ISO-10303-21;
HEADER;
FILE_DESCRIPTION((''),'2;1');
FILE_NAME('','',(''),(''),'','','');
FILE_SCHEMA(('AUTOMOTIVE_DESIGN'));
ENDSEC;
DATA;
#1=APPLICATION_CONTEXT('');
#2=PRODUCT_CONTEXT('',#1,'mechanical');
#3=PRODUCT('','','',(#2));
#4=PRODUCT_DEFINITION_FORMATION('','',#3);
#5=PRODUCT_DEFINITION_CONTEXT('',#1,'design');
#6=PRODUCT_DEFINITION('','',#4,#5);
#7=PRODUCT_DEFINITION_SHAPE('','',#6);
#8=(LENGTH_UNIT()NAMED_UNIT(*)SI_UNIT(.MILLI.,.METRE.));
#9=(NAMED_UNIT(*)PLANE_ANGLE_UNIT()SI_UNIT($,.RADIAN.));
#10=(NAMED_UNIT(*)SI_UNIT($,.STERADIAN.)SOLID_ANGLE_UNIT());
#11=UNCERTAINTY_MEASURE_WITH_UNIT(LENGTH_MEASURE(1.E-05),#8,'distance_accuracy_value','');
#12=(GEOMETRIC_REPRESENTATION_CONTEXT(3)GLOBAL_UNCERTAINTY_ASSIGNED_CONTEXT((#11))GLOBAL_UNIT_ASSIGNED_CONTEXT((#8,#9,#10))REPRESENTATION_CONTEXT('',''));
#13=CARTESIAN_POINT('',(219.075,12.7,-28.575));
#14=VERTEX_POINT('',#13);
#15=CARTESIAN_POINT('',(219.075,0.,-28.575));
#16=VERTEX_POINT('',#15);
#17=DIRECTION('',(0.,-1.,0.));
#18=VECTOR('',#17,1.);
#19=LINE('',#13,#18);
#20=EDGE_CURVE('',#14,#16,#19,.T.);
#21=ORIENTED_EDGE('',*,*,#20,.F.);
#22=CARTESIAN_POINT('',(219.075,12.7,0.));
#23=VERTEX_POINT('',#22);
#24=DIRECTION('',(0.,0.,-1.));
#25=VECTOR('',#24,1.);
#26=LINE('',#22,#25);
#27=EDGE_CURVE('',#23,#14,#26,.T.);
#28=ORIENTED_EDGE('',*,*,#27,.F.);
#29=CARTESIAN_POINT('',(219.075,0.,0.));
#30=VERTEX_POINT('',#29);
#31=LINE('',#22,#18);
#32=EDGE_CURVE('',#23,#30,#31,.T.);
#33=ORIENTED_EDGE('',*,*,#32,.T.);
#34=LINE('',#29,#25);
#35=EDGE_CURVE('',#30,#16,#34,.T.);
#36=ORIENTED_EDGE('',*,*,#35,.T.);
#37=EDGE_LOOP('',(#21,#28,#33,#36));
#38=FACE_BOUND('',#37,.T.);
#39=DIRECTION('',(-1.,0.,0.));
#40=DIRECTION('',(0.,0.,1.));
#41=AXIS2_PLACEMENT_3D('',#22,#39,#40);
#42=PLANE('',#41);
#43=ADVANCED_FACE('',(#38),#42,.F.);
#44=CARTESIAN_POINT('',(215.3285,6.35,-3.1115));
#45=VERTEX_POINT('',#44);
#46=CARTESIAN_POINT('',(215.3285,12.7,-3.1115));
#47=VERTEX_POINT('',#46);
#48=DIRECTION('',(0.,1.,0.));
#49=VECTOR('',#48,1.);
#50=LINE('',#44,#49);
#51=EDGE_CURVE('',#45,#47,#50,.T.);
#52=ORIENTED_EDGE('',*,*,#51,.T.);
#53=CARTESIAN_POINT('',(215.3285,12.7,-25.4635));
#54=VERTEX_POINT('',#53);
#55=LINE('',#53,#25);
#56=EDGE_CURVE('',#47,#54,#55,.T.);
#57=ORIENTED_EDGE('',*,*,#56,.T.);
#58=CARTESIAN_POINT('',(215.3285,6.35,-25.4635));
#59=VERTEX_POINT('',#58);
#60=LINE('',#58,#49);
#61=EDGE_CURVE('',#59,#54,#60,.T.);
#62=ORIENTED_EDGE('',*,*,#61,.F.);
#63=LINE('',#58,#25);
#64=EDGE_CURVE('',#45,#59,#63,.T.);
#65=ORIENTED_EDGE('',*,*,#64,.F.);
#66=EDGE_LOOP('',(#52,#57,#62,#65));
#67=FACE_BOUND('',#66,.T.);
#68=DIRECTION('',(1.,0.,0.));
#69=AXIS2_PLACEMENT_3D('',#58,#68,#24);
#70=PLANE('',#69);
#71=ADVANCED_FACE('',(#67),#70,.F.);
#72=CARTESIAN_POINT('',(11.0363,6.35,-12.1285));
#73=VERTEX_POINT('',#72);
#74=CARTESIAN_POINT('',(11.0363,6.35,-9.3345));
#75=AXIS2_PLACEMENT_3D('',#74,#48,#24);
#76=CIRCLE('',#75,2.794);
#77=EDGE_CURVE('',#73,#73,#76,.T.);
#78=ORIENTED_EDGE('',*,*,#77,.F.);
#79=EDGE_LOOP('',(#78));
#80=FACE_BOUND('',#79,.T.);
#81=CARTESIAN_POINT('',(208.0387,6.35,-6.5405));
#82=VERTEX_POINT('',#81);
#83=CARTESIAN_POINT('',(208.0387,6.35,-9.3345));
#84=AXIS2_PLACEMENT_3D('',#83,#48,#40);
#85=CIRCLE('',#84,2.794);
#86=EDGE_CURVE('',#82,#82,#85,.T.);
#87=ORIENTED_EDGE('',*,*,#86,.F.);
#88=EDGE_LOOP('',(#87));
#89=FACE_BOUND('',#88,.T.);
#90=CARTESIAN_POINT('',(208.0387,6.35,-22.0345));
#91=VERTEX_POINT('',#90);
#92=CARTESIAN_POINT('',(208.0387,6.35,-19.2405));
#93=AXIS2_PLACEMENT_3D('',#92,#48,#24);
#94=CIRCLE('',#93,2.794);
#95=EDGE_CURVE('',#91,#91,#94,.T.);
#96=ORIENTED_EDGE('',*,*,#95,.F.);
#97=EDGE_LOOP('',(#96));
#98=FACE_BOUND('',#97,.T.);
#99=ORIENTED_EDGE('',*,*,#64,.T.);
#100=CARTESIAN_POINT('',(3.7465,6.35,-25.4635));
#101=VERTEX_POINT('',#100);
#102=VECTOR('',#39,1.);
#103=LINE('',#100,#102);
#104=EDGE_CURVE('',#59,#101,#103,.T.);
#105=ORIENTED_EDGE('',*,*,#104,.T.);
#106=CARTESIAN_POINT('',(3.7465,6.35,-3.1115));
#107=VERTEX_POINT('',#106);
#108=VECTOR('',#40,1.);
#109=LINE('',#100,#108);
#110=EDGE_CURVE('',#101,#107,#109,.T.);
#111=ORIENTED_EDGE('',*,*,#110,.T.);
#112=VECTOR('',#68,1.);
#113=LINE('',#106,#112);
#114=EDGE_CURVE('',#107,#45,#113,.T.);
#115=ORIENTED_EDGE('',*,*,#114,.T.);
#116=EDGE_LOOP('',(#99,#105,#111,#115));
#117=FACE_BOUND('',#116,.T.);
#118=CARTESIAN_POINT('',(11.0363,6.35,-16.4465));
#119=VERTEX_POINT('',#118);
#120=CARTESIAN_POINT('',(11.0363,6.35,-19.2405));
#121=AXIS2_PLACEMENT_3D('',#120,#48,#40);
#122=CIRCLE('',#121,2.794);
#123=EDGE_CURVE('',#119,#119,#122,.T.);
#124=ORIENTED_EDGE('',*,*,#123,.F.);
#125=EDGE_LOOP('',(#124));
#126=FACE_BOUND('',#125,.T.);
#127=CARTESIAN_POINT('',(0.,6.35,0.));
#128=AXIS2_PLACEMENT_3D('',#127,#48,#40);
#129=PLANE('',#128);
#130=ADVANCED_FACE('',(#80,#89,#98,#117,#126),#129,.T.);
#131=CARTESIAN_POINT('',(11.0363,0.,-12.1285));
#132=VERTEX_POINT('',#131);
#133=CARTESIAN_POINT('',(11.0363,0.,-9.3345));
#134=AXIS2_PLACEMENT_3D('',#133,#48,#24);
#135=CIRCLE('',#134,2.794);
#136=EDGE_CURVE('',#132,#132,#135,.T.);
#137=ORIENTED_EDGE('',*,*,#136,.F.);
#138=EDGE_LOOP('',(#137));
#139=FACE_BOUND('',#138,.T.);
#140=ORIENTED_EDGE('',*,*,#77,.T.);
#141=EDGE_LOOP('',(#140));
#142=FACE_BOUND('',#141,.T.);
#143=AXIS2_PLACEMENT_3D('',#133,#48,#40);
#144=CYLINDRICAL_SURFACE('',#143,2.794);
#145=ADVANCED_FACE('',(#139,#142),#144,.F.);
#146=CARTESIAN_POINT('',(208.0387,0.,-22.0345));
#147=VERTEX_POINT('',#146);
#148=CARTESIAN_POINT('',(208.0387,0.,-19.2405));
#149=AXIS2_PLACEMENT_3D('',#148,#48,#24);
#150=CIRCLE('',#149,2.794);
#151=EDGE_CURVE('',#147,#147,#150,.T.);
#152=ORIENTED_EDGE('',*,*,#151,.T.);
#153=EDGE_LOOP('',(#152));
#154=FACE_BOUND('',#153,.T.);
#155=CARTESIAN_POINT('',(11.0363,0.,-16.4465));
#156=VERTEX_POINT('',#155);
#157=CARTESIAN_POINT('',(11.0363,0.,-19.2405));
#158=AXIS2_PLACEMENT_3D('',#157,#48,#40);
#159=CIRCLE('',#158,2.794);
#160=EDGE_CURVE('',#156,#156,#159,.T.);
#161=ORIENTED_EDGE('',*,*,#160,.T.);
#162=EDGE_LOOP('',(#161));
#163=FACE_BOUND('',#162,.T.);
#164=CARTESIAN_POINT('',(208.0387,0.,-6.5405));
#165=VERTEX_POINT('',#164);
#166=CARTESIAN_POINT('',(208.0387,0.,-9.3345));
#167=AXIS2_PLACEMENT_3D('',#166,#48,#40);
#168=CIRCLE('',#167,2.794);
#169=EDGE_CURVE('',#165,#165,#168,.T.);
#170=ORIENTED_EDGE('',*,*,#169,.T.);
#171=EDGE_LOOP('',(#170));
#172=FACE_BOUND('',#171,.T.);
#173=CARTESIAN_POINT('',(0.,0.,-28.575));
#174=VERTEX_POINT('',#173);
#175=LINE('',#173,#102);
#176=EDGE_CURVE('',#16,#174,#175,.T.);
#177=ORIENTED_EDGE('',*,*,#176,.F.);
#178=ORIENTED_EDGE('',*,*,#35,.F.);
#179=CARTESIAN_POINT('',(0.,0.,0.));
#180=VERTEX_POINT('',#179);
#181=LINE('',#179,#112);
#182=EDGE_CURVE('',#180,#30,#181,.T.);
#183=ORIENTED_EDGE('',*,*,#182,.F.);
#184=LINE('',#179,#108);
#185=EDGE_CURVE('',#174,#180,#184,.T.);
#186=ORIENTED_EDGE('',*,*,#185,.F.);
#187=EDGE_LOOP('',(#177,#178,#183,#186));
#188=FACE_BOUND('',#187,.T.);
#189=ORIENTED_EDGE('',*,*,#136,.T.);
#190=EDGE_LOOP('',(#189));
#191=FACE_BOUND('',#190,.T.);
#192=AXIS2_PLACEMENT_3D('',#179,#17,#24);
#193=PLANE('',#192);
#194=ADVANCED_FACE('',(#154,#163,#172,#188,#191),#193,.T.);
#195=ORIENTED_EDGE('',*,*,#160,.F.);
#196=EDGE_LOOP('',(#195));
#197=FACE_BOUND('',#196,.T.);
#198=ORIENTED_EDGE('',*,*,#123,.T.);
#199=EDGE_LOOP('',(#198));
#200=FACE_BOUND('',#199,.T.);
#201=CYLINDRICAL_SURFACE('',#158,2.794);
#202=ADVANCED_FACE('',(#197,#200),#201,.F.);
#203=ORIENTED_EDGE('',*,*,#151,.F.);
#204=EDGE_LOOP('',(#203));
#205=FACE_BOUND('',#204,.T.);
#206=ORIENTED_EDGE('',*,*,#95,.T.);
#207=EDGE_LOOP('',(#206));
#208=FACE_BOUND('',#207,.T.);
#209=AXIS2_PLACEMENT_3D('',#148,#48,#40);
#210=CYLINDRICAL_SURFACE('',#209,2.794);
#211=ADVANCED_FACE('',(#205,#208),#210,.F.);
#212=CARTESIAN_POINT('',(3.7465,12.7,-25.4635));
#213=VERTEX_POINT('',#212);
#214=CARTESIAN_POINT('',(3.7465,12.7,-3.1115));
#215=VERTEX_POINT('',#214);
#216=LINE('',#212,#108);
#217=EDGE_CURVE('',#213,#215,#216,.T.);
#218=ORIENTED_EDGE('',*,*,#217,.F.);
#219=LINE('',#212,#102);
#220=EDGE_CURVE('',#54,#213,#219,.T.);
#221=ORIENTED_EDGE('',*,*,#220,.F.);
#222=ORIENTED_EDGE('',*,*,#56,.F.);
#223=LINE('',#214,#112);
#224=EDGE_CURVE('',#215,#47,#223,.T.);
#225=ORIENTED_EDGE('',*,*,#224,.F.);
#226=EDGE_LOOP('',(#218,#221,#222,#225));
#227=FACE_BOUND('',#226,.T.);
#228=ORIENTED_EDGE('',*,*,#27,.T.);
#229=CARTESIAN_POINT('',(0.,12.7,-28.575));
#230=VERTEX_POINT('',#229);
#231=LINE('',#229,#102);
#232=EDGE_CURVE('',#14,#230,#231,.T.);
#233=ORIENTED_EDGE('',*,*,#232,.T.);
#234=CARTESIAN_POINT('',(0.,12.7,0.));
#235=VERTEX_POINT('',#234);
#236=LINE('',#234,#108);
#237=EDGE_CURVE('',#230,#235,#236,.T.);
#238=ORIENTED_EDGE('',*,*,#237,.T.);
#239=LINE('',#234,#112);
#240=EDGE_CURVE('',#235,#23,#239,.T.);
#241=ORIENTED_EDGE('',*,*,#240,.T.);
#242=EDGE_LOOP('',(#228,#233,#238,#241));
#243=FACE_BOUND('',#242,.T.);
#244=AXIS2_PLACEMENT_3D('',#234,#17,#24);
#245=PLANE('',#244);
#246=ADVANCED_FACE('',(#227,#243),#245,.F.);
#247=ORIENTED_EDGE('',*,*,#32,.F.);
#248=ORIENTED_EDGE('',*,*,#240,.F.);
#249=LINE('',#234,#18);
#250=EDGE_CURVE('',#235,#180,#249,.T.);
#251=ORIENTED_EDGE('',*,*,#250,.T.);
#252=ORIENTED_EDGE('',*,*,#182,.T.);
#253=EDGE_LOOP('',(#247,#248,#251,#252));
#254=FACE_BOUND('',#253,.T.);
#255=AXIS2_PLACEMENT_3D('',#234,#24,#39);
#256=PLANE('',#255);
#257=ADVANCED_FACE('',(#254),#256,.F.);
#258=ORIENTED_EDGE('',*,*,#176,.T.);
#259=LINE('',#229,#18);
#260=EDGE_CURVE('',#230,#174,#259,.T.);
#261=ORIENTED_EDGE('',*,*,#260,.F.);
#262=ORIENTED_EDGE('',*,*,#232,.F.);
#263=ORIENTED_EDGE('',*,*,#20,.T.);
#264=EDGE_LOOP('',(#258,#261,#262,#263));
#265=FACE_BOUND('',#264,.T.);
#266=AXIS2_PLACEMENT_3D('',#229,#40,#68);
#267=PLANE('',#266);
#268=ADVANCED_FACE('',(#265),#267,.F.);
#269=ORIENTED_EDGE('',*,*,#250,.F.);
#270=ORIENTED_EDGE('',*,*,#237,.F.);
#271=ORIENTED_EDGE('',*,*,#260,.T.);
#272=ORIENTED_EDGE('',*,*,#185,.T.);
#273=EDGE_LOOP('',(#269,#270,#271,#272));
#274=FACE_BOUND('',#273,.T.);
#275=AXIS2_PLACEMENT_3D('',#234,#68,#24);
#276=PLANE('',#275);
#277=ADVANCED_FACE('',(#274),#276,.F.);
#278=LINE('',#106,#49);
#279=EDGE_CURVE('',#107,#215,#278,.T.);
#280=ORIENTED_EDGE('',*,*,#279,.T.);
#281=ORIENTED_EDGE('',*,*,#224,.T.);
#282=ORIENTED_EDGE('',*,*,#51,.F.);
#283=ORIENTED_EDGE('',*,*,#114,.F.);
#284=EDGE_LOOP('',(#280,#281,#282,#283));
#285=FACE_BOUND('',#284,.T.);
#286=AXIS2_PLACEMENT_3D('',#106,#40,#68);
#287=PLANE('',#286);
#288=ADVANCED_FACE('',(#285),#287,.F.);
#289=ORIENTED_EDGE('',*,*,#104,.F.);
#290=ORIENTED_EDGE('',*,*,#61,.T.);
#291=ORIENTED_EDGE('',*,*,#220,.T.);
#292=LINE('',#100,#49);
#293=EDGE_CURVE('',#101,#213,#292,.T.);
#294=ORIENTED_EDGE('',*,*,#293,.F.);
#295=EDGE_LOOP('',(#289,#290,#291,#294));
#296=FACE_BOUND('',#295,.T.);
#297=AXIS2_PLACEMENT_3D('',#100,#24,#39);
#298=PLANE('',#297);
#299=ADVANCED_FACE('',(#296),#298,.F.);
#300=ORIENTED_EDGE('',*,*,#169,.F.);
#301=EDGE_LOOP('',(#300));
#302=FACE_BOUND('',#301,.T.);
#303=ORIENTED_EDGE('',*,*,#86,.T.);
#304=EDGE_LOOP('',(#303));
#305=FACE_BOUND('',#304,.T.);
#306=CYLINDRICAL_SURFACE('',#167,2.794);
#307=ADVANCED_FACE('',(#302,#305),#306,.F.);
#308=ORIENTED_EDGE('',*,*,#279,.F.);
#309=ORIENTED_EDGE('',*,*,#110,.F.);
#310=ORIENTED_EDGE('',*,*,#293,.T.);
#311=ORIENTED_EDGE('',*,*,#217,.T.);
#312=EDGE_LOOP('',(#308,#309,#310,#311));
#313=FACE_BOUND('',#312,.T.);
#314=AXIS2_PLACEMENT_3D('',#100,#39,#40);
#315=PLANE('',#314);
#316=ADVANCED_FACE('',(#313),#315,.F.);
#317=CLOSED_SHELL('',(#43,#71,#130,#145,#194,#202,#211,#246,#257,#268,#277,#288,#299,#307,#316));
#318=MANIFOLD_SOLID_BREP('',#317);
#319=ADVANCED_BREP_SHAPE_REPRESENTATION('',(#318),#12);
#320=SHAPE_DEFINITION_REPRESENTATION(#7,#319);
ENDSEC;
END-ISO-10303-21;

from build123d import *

# Parameters (mm, degrees)
SKETCH1_W           = 219.075
SKETCH1_H           = 28.575
BOSS_EXTRUDE1_DEPTH = 12.7
SKETCH2_W           = 211.582
SKETCH2_H           = 22.352
CUT_EXTRUDE1_DEPTH  = 6.35
SKETCH4_R           = 2.794
CUT_EXTRUDE2_DEPTH  = 222.021964406


with BuildPart() as part:
    # Sketch1 → Boss-Extrude1 (new body)
    with BuildSketch(Plane(origin=(0, 0, 0), x_dir=(1, 0, 0), z_dir=(0, 1, 0))):
        with Locations((109.5375, 14.2875)):
            Rectangle(SKETCH1_W, SKETCH1_H)
    extrude(amount=BOSS_EXTRUDE1_DEPTH)

    # Sketch2 → Cut-Extrude1 (cut)
    with BuildSketch(Plane(origin=(0, 12.7, 0), x_dir=(1, 0, 0), z_dir=(0, 1, 0))):
        with Locations((109.5375, 14.2875)):
            Rectangle(SKETCH2_W, SKETCH2_H)
    extrude(amount=-CUT_EXTRUDE1_DEPTH, mode=Mode.SUBTRACT)

    # Sketch4 → Cut-Extrude2 (cut, through all)
    with BuildSketch(Plane(origin=(0, 6.35, 0), x_dir=(1, 0, 0), z_dir=(0, 1, 0))):
        with Locations(Location((11.0363, 19.2405, 0), (0, 0, 270))):
            Circle(SKETCH4_R)
        with Locations(Location((11.0363, 9.3345, 0), (0, 0, 90))):
            Circle(SKETCH4_R)
        with Locations(Location((208.0387, 9.3345, 0), (0, 0, 270))):
            Circle(SKETCH4_R)
        with Locations(Location((208.0387, 19.2405, 0), (0, 0, 90))):
            Circle(SKETCH4_R)
    extrude(amount=-CUT_EXTRUDE2_DEPTH, mode=Mode.SUBTRACT)


solid = part.part
